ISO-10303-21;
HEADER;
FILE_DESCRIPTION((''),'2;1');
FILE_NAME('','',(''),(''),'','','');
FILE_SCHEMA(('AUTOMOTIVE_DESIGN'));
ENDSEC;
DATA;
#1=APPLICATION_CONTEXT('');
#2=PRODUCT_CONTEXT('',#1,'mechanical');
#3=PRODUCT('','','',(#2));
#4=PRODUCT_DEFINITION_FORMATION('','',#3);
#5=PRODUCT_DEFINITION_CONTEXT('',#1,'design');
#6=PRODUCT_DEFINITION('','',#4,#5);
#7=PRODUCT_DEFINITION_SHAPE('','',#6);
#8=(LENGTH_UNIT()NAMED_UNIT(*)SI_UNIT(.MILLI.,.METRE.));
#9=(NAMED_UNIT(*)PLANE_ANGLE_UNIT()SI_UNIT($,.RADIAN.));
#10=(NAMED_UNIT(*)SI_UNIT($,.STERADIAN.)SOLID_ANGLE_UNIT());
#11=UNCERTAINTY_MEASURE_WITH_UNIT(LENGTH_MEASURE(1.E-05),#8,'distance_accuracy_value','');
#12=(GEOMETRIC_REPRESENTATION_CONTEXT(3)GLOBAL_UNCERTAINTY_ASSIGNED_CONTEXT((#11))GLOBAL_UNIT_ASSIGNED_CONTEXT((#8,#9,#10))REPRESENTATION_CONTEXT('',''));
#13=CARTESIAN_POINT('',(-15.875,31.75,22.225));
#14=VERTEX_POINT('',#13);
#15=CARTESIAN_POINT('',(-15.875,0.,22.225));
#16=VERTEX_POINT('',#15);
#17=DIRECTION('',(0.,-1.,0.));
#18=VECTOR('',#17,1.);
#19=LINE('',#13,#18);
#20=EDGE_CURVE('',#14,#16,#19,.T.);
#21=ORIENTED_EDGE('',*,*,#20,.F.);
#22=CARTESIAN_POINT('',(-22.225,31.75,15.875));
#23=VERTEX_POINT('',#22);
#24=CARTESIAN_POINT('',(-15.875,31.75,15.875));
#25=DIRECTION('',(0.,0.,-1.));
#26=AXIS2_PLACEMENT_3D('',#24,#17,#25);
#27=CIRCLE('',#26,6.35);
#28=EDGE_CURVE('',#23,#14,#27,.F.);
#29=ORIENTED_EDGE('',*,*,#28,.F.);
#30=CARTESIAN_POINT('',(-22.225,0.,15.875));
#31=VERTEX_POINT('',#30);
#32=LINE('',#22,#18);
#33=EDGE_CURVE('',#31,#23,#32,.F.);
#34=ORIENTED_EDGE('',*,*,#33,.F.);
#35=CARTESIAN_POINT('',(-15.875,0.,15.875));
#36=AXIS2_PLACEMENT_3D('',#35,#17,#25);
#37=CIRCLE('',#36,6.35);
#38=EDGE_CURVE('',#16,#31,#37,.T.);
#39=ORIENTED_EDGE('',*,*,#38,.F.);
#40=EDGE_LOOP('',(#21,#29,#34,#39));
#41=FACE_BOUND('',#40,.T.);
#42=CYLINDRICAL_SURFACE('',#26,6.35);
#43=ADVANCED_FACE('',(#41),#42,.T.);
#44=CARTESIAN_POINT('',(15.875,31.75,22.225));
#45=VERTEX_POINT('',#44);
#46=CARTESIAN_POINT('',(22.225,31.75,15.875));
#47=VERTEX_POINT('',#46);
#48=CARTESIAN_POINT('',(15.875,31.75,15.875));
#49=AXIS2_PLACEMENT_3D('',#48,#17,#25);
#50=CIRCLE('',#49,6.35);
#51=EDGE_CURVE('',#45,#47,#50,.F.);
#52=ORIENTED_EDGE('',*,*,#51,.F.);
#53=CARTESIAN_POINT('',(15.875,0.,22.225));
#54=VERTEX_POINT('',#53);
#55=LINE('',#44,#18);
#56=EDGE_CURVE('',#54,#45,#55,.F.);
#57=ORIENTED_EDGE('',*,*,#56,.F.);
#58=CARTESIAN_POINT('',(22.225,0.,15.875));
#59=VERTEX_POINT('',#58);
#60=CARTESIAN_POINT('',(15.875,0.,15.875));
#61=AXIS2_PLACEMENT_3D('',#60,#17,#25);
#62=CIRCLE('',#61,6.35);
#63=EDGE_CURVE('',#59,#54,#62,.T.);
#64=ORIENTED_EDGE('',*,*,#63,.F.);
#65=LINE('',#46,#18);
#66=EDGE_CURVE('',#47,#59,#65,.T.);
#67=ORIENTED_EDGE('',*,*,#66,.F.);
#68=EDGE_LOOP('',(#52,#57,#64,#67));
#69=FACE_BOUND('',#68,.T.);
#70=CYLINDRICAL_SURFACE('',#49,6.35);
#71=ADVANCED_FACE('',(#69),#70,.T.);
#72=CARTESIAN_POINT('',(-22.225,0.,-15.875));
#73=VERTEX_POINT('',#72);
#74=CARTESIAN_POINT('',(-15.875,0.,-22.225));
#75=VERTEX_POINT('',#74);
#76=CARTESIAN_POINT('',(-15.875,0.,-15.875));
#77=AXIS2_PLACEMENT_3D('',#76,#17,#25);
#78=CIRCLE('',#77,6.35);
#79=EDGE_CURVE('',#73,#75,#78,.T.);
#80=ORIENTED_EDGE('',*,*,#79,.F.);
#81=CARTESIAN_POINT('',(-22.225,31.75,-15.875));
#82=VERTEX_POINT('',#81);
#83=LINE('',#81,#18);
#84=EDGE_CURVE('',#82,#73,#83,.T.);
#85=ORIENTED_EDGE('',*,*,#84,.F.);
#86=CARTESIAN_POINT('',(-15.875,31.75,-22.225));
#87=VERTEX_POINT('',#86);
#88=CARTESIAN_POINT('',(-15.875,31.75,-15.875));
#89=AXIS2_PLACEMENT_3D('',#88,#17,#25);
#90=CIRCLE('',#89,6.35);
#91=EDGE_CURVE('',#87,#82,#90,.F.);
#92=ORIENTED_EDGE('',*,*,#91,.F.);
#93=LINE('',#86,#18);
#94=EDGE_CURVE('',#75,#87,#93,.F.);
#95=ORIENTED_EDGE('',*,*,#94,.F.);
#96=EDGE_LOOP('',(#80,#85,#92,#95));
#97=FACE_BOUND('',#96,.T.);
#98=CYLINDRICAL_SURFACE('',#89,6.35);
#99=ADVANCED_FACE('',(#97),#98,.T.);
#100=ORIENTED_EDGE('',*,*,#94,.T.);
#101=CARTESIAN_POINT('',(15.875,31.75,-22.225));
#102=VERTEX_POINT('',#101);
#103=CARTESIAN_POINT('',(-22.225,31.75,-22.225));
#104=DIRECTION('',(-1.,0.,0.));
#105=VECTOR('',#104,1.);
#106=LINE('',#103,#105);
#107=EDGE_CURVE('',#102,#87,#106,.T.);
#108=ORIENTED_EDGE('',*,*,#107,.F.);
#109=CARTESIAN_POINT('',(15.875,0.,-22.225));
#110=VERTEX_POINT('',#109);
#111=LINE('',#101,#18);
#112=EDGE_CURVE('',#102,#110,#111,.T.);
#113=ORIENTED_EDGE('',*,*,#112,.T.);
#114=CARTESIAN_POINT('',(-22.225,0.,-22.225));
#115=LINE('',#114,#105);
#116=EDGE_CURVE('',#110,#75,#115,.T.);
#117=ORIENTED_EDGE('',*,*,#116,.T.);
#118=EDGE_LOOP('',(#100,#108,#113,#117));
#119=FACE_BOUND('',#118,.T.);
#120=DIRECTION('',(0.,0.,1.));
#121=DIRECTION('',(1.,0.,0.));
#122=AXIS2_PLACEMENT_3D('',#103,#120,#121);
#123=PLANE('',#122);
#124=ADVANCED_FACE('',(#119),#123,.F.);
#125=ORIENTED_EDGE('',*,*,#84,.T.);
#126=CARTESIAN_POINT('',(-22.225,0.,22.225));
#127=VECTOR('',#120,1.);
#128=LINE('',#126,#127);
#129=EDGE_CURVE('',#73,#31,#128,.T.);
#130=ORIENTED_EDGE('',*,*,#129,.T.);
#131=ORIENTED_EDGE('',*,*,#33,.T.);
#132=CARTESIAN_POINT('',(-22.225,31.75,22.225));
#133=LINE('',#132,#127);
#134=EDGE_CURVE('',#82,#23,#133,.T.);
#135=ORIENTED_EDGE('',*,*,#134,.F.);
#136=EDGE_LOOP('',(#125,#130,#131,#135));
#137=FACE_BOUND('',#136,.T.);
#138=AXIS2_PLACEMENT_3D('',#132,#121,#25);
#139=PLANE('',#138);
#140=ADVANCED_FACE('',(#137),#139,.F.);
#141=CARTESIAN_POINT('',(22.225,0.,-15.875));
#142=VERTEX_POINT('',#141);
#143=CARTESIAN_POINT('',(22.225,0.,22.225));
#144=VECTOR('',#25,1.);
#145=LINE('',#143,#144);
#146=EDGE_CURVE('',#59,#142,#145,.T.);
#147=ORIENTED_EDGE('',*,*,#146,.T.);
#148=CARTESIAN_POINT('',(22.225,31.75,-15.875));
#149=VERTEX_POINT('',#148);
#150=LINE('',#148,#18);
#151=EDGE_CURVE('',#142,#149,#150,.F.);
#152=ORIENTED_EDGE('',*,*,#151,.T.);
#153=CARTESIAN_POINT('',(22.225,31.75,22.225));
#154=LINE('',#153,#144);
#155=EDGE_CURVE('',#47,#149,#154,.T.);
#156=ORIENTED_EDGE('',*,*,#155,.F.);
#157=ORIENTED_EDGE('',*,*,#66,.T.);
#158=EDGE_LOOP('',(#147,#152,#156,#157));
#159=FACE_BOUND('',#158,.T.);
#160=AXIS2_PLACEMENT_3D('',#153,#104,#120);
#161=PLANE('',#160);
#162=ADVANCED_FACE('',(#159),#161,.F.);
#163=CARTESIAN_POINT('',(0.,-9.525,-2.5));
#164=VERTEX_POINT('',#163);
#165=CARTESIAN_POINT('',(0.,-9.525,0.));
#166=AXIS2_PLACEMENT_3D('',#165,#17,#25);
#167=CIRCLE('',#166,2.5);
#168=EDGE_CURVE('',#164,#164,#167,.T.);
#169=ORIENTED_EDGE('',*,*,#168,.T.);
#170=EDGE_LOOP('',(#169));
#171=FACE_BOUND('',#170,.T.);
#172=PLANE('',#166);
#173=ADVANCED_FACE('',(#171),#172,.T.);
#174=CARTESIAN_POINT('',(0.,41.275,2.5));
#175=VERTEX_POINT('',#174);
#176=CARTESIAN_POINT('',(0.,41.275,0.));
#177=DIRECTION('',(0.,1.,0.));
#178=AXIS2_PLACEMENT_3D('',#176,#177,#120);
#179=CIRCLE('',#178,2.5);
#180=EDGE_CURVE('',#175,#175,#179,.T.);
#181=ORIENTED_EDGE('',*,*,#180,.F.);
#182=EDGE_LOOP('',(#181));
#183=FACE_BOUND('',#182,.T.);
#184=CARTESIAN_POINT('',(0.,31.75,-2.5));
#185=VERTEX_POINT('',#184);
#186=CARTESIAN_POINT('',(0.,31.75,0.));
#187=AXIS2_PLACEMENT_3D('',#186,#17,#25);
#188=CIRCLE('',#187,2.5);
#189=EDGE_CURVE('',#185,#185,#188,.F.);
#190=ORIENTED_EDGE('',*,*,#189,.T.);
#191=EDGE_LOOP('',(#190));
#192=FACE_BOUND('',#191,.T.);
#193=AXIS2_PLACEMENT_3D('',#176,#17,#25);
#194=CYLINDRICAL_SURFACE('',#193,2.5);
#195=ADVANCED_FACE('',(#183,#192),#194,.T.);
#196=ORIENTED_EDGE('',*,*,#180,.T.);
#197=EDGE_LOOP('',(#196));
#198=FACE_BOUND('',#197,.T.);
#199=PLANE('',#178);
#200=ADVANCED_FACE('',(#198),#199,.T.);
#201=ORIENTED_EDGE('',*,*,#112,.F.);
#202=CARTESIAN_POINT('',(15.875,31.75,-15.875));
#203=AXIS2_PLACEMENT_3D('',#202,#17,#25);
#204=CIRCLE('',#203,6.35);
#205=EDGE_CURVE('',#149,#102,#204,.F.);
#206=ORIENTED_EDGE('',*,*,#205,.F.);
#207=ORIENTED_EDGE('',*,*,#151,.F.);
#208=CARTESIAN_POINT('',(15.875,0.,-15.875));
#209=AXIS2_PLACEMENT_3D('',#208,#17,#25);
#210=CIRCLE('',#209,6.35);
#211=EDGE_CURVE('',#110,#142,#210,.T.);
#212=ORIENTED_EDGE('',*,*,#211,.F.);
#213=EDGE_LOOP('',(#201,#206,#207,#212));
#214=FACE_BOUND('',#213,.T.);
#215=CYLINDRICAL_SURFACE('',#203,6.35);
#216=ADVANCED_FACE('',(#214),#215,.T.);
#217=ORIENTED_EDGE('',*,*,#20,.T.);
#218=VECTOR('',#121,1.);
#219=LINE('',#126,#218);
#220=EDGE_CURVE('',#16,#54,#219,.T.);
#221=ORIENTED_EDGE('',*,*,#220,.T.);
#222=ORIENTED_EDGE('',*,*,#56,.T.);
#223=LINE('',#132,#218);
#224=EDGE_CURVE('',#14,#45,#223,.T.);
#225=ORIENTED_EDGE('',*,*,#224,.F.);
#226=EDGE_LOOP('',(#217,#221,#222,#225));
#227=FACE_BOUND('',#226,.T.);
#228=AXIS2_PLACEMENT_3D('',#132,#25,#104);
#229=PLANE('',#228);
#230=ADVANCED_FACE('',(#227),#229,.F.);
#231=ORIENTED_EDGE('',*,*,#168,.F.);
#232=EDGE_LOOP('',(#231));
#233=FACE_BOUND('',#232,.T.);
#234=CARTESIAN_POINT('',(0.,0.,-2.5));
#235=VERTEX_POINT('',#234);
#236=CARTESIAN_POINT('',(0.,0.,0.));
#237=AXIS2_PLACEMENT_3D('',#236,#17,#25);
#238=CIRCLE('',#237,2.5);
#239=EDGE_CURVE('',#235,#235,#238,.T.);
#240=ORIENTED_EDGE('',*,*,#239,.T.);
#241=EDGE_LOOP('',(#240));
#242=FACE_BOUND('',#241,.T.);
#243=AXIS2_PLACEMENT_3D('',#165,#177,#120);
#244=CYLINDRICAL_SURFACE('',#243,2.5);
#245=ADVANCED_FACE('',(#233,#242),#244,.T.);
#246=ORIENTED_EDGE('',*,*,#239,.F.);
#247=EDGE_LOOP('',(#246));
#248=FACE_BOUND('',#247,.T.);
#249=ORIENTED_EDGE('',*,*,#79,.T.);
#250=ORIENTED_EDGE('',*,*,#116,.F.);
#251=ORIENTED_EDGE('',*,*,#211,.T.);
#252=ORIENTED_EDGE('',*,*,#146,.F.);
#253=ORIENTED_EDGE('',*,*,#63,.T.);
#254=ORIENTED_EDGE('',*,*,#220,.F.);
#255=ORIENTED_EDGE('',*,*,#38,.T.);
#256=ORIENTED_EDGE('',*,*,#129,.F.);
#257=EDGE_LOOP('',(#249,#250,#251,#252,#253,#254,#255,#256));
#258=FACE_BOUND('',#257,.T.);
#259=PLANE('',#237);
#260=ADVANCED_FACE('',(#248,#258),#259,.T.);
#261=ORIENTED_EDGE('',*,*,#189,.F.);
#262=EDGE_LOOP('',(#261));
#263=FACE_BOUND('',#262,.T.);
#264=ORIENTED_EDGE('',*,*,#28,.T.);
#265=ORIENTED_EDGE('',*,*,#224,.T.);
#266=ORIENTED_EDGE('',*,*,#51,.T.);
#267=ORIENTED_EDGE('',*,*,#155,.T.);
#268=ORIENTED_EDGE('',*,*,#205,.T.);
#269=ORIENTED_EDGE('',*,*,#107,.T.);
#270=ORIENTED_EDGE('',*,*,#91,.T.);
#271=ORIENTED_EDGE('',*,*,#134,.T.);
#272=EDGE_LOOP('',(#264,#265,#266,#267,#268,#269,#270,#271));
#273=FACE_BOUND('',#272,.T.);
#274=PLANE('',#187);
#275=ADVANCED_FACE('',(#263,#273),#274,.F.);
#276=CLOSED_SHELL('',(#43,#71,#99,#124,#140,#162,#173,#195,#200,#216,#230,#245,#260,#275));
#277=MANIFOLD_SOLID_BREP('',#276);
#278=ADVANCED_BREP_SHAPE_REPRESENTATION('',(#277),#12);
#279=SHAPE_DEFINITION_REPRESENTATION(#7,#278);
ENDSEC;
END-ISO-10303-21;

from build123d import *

# Parameters (mm, degrees)
SKETCH1_W           = 44.45
SKETCH1_H           = 44.45
BOSS_EXTRUDE1_DEPTH = 31.75
FILLET1_R           = 6.35
SKETCH2_R           = 2.5
BOSS_EXTRUDE2_DEPTH = 9.525
SKETCH4_R           = 2.5
BOSS_EXTRUDE3_DEPTH = 9.525


with BuildPart() as part:
    # Sketch1 → Boss-Extrude1 (new body)
    with BuildSketch(Plane(origin=(0, 0, 0), x_dir=(1, 0, 0), z_dir=(0, 1, 0))):
        Rectangle(SKETCH1_W, SKETCH1_H)
    extrude(amount=BOSS_EXTRUDE1_DEPTH)

    # Fillet1
    fillet1_edges = [part.edges().sort_by_distance(p)[0] for p in [
        (22.225, 15.875, 22.225),
        (-22.225, 15.875, 22.225),
        (-22.225, 15.875, -22.225),
        (22.225, 15.875, -22.225),
    ]]
    fillet(fillet1_edges, radius=FILLET1_R)

    # Sketch2 → Boss-Extrude2 (add)
    with BuildSketch(Plane(origin=(0, 31.75, 0), x_dir=(1, 0, 0), z_dir=(0, 1, 0))):
        Circle(SKETCH2_R)
    extrude(amount=BOSS_EXTRUDE2_DEPTH)

    # Sketch4 → Boss-Extrude3 (add)
    with BuildSketch(Plane.XZ):
        Circle(SKETCH4_R)
    extrude(amount=BOSS_EXTRUDE3_DEPTH)


solid = part.part
